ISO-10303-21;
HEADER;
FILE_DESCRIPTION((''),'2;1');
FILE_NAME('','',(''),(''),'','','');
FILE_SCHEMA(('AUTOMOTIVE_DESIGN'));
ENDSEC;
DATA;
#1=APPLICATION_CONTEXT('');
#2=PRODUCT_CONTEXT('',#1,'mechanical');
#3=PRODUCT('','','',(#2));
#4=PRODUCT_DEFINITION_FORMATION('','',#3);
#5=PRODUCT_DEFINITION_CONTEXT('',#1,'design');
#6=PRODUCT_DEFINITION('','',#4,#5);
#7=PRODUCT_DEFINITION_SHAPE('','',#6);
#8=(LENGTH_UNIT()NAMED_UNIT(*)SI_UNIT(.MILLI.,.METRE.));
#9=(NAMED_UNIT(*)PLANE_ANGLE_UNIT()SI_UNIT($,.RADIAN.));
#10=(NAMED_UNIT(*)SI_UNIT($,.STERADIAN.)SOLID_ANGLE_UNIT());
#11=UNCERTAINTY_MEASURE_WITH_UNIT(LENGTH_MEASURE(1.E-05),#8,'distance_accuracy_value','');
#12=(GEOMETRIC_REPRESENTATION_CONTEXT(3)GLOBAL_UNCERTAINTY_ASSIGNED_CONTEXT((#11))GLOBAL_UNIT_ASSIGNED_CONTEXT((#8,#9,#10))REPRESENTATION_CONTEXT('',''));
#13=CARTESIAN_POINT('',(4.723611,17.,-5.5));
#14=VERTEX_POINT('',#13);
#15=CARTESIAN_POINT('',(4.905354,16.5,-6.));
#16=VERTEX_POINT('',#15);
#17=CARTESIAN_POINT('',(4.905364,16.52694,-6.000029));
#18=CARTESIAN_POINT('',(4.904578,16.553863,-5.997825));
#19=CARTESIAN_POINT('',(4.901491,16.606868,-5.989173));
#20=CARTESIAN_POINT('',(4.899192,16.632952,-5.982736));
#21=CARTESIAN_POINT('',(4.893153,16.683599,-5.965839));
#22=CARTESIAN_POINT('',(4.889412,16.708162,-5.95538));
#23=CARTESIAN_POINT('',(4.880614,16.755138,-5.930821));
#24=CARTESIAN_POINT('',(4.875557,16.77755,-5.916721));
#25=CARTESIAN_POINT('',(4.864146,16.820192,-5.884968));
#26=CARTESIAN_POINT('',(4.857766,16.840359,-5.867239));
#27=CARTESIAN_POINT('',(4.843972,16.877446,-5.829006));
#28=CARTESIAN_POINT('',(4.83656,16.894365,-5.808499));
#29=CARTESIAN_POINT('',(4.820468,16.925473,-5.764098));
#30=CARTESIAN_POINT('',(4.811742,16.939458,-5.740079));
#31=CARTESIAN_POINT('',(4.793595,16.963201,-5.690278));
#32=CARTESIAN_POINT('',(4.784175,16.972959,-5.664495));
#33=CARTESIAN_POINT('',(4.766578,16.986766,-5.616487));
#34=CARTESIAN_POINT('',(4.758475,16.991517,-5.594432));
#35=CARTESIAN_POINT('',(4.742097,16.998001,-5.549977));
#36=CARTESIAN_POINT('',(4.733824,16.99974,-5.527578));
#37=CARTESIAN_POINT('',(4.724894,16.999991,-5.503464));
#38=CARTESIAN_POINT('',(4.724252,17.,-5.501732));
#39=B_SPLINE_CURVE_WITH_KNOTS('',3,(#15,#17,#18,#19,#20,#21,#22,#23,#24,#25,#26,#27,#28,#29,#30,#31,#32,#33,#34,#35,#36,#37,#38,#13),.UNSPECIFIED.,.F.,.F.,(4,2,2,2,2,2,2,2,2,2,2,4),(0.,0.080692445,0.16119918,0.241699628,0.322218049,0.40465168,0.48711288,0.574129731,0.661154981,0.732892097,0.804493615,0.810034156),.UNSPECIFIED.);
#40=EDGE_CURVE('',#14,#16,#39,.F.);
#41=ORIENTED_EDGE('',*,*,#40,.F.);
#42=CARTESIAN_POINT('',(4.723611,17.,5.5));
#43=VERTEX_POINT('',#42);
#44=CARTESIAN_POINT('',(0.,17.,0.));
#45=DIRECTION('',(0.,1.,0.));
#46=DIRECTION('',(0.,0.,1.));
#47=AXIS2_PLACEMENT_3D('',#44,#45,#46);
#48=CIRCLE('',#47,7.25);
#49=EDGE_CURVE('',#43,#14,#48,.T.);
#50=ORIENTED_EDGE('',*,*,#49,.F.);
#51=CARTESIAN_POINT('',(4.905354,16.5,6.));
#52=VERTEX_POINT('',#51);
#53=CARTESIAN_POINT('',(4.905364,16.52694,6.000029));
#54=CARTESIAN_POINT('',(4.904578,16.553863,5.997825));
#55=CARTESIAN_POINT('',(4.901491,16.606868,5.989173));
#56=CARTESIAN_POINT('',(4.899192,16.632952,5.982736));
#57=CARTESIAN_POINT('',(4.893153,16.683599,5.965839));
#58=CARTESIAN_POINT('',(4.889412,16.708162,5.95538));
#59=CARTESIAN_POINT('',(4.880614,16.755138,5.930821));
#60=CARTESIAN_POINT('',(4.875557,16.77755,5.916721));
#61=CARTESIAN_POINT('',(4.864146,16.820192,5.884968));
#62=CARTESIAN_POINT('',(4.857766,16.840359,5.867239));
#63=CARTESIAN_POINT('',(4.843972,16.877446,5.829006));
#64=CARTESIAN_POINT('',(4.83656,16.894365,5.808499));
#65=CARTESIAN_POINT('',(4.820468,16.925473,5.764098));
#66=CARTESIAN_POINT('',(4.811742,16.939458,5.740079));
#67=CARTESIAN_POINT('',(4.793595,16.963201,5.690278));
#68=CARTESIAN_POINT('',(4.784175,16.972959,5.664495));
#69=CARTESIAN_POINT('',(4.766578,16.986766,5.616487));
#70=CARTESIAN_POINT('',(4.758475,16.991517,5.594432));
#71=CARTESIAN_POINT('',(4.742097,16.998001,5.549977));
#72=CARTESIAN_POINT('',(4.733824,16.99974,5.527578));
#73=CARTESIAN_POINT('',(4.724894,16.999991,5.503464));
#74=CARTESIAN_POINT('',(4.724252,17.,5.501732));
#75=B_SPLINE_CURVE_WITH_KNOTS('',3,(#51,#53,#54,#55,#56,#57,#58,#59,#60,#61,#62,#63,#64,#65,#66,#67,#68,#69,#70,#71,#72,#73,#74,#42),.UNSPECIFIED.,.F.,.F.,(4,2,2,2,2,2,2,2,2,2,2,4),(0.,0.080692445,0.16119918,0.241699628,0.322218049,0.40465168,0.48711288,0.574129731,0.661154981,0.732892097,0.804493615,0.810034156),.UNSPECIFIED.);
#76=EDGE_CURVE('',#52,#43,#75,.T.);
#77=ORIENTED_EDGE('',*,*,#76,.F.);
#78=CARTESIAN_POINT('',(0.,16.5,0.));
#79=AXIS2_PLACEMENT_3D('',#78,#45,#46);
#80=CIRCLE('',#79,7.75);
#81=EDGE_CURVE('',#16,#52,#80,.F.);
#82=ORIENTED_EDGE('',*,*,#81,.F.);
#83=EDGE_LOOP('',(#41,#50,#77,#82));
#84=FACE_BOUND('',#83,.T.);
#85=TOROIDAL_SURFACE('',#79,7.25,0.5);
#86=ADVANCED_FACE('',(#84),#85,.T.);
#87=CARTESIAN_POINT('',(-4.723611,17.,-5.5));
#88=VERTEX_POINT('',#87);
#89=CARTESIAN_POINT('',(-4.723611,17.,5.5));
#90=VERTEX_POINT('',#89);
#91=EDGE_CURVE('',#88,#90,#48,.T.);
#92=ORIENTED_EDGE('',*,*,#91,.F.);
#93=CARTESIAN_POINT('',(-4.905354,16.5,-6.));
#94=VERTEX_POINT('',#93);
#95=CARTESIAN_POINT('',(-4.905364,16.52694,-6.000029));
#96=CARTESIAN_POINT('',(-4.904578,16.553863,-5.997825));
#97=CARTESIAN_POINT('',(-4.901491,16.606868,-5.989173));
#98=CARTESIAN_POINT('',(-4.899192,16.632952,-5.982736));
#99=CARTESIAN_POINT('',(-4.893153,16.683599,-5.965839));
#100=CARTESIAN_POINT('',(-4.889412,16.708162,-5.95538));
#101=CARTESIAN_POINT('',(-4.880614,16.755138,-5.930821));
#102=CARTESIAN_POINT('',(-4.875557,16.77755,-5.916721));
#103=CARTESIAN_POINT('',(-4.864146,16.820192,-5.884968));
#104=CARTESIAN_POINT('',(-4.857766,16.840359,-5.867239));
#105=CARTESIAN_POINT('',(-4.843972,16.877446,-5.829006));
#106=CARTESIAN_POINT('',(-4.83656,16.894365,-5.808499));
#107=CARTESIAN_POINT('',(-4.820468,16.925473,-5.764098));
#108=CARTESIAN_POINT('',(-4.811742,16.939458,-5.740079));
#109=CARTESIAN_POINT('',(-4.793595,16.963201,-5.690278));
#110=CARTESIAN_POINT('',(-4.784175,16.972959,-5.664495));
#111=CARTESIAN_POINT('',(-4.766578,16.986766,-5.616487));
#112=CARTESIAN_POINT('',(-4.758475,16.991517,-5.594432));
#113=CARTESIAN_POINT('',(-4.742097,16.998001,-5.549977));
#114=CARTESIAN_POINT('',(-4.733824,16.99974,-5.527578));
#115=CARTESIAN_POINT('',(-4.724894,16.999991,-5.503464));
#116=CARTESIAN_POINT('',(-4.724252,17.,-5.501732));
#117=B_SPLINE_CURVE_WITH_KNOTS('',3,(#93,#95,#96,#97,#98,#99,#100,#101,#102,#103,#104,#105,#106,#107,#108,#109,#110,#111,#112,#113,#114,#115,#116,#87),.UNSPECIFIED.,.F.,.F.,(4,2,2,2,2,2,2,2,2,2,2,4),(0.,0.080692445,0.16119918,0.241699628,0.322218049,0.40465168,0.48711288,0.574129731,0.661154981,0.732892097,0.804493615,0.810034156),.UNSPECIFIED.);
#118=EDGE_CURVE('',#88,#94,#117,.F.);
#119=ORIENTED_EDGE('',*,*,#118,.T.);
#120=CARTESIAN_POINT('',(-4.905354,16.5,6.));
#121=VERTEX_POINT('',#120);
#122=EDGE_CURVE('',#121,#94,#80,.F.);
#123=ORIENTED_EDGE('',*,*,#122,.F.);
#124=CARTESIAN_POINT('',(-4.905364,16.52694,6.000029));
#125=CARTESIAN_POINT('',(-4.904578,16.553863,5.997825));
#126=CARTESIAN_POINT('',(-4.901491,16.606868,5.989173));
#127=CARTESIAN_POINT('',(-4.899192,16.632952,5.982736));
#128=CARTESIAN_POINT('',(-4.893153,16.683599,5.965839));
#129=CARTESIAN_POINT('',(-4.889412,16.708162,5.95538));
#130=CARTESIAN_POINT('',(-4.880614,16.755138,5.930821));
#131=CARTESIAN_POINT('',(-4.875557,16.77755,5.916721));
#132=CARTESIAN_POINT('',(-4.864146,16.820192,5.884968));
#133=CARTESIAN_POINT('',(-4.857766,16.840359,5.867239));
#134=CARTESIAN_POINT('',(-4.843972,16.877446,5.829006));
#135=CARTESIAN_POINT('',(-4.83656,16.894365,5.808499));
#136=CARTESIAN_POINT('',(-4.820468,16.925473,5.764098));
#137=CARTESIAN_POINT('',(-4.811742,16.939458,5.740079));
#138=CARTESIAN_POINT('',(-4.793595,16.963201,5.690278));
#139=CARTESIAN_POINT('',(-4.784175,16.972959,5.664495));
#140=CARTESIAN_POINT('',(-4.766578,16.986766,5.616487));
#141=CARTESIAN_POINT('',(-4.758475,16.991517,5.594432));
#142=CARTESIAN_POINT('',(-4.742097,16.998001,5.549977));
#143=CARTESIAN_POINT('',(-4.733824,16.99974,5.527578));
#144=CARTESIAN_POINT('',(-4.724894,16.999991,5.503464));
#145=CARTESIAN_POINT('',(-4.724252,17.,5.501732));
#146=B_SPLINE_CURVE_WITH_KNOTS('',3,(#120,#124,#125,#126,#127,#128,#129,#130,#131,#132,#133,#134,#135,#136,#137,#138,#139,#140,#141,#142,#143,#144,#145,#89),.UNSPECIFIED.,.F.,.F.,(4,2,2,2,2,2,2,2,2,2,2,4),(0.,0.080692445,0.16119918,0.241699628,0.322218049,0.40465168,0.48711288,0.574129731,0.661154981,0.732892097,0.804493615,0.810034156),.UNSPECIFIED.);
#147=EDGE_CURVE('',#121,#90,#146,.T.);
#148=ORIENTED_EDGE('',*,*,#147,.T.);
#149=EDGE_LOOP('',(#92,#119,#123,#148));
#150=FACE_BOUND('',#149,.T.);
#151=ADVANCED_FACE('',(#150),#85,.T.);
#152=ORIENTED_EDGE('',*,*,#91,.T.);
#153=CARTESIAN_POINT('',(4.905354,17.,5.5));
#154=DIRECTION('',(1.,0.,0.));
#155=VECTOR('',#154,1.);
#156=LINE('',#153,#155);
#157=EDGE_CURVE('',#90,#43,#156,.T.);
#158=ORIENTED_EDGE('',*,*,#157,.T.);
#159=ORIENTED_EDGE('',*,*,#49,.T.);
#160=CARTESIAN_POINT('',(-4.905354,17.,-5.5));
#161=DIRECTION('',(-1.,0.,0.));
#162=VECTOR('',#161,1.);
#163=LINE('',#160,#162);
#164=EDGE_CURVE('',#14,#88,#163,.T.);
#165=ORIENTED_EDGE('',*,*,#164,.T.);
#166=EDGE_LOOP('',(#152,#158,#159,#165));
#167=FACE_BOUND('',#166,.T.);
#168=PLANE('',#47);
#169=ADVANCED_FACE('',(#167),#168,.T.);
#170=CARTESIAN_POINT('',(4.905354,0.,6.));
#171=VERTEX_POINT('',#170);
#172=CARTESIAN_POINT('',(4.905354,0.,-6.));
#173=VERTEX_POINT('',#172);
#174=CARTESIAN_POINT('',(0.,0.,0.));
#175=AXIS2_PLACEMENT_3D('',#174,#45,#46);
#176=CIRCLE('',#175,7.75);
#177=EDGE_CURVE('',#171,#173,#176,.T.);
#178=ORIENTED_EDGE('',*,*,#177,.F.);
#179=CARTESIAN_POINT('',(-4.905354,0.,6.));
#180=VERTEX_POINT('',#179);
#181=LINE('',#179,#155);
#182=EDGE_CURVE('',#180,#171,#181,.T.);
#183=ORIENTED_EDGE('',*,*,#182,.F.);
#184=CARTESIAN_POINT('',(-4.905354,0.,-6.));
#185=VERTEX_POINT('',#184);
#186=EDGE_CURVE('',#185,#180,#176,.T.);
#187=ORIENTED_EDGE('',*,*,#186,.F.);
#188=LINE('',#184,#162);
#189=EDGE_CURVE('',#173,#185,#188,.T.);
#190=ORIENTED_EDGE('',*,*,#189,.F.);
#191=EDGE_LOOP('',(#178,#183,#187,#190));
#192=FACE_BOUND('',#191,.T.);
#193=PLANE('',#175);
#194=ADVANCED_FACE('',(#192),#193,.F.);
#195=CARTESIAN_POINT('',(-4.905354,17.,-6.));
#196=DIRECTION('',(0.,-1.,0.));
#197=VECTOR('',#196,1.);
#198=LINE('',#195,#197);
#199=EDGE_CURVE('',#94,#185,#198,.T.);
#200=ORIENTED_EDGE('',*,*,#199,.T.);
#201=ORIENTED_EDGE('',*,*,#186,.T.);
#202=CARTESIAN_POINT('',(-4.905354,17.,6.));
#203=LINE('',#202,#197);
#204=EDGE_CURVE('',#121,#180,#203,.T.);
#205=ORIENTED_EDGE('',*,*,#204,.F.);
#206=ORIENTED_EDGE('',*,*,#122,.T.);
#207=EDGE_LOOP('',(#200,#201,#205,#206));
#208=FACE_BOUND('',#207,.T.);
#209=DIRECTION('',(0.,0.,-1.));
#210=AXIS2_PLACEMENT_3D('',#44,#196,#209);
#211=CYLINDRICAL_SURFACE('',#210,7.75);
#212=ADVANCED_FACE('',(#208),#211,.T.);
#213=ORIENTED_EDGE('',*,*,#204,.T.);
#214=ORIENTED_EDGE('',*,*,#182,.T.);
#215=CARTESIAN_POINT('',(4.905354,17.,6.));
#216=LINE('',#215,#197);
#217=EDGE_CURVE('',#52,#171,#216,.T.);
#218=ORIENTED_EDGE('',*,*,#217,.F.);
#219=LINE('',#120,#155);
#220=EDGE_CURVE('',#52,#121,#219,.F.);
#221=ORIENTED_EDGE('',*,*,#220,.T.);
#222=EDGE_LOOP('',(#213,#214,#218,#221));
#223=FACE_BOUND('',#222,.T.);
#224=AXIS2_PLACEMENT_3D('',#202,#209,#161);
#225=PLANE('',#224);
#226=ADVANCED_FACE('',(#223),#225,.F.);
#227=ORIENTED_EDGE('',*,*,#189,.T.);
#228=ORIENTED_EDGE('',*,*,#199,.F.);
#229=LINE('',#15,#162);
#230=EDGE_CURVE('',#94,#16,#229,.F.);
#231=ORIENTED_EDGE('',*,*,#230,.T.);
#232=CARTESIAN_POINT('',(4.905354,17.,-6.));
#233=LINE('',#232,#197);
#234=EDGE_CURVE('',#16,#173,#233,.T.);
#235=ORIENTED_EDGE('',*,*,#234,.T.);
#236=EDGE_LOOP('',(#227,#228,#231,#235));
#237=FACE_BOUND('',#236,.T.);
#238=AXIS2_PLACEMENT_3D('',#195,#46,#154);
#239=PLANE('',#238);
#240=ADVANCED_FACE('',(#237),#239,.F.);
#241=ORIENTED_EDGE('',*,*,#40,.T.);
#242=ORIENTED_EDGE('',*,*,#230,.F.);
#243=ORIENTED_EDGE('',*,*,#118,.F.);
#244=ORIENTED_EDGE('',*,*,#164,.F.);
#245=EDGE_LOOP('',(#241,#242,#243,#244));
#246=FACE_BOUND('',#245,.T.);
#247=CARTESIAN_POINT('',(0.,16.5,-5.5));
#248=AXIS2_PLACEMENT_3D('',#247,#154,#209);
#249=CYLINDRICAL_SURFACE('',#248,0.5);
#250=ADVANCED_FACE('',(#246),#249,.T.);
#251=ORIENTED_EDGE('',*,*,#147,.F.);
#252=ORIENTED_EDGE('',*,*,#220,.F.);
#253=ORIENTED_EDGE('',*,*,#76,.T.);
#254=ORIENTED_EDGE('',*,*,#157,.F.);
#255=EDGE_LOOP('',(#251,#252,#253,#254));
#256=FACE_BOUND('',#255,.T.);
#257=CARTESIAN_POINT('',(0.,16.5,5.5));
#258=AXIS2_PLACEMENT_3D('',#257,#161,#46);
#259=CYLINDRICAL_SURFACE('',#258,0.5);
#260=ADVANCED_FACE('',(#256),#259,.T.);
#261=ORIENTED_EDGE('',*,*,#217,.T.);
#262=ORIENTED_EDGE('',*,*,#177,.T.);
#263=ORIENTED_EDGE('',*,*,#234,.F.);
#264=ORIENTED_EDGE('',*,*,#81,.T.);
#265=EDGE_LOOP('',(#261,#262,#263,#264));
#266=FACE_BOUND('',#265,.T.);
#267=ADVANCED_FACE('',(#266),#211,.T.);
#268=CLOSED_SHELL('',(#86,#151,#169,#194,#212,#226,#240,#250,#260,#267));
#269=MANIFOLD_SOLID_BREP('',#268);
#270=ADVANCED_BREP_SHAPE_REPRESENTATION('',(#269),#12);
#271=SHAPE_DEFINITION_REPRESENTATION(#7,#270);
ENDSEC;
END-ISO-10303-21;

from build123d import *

# Parameters (mm, degrees)
SALIENTE_EXTRUIR1_DEPTH = 17
REDONDEO1_R             = 0.5


with BuildPart() as part:
    # Croquis1 → Saliente-Extruir1 (new body)
    with BuildSketch(Plane(origin=(0, 0, 0), x_dir=(1, 0, 0), z_dir=(0, 1, 0))):
        with BuildLine():
            Line((-4.905354218, -6), (4.905354218, -6))
            ThreePointArc((4.905354218, -6), (7.75, 0), (4.905354218, 6))
            Line((4.905354218, 6), (-4.905354218, 6))
            ThreePointArc((-4.905354218, 6), (-7.75, 0), (-4.905354218, -6))
        make_face()
    extrude(amount=SALIENTE_EXTRUIR1_DEPTH)

    # Redondeo1
    redondeo1_edges = [part.edges().sort_by_distance(p)[0] for p in [
        (-7.75, 17, 0),
        (0, 17, 6),
        (7.75, 17, 0),
        (0, 17, -6),
    ]]
    fillet(redondeo1_edges, radius=REDONDEO1_R)


solid = part.part
